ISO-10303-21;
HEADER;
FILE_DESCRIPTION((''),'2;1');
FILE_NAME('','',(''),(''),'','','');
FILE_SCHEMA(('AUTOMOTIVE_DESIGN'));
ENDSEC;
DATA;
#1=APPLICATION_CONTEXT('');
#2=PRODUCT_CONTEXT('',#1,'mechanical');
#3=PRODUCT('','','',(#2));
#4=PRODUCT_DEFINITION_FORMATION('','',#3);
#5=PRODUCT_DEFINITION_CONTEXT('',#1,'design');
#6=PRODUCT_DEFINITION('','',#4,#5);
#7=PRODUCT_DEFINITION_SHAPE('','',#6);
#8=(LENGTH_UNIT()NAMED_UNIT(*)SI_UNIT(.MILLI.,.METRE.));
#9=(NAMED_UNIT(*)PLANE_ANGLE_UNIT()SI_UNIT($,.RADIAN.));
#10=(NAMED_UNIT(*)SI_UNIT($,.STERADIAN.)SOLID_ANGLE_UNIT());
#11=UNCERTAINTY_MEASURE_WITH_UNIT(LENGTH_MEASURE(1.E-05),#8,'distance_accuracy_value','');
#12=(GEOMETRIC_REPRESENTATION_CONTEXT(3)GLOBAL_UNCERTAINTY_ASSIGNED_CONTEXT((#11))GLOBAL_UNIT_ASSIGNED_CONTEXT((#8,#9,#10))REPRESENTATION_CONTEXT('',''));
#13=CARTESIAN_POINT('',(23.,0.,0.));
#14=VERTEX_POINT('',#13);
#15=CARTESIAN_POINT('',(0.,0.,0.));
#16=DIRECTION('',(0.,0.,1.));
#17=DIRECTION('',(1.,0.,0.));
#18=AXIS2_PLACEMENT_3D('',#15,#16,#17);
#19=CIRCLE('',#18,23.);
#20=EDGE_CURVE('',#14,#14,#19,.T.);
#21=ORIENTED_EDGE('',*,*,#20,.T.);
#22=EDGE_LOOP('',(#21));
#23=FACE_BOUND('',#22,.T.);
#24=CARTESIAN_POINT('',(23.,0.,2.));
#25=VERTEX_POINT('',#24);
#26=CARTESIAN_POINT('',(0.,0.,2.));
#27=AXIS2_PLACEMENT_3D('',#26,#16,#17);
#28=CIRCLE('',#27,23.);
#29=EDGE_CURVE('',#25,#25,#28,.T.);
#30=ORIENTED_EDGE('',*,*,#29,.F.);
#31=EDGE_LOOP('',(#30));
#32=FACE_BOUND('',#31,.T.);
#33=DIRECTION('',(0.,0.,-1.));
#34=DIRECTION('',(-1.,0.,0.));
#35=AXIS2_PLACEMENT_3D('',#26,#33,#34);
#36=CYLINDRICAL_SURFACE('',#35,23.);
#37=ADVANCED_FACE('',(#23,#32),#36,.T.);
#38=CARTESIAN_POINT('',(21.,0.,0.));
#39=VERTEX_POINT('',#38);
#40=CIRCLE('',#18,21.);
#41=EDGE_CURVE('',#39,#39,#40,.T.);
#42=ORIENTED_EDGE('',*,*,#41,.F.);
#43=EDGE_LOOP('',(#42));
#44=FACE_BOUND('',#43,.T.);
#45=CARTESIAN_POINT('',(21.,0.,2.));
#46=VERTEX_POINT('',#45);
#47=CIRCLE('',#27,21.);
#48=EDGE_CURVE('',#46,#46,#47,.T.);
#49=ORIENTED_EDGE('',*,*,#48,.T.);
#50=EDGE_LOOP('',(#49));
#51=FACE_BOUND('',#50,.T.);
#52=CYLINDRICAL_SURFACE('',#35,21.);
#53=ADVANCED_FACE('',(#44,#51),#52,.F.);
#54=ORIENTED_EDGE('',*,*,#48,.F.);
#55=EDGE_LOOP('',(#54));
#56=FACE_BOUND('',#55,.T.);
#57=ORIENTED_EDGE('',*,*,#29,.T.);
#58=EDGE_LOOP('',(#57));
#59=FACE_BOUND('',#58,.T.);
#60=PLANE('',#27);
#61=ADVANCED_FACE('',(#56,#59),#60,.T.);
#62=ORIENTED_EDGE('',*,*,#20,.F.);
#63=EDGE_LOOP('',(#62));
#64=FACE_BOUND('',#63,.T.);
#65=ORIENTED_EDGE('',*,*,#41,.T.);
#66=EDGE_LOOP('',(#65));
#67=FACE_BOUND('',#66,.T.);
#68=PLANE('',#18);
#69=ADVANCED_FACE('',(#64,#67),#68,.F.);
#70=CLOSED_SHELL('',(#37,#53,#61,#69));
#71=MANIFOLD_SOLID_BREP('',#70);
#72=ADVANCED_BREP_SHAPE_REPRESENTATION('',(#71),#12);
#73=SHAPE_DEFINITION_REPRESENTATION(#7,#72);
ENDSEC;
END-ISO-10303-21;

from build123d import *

# Parameters (mm, degrees)
SKIZZE1_R                       = 23
SKIZZE1_R_2                     = 21
AUFSATZ_LINEAR_AUSTRAGEN1_DEPTH = 2


with BuildPart() as part:
    # Skizze1 → Aufsatz-Linear austragen1 (new body)
    with BuildSketch(Plane.XY):
        Circle(SKIZZE1_R)
        Circle(SKIZZE1_R_2, mode=Mode.SUBTRACT)
    extrude(amount=AUFSATZ_LINEAR_AUSTRAGEN1_DEPTH)


solid = part.part
